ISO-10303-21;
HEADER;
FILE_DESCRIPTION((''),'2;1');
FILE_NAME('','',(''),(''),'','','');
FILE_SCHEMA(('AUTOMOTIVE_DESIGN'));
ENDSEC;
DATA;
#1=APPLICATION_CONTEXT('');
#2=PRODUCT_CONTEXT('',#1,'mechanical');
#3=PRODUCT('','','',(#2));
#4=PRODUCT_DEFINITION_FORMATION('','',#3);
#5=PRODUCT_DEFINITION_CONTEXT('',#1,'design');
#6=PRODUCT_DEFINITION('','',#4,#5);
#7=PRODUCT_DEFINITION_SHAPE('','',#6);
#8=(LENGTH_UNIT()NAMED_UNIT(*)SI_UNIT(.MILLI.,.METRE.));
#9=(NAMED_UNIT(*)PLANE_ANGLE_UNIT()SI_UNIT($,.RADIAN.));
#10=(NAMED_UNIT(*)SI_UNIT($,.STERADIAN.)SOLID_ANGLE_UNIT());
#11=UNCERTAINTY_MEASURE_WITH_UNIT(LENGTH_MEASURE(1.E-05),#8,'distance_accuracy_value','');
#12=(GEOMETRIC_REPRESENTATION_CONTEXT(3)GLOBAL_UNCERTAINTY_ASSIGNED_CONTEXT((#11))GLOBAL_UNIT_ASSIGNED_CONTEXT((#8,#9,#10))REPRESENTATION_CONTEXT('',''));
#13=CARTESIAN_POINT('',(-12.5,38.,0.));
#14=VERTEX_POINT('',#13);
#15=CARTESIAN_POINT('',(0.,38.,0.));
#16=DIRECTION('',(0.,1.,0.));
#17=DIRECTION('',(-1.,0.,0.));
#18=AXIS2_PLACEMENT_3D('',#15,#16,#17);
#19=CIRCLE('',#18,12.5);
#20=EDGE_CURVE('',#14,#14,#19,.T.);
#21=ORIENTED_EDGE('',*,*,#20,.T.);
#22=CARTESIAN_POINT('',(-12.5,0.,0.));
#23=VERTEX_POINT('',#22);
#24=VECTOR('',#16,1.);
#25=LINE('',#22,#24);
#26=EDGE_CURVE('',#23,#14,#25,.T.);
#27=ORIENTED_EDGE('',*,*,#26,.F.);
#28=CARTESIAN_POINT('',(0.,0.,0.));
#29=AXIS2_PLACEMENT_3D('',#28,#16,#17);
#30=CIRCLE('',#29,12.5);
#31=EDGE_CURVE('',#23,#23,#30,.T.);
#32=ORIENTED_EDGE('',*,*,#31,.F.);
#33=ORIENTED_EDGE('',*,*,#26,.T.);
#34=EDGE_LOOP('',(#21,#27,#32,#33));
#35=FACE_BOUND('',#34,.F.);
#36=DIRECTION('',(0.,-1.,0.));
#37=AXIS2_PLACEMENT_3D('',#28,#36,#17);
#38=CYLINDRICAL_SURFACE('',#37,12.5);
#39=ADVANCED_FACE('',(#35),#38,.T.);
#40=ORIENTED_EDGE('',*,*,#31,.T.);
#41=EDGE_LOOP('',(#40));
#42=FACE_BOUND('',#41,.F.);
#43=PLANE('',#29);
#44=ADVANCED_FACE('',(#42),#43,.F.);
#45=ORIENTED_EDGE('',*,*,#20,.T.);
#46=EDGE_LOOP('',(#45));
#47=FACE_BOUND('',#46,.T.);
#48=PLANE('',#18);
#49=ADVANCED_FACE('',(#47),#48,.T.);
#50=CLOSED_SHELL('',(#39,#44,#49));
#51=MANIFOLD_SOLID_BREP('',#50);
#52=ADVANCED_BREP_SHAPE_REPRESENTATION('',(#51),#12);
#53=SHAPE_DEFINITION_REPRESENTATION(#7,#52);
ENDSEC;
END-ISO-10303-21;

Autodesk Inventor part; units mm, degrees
ref_plane "YZ Plane" through (0, 0, 0) normal (1, 0, 0) x (0, 1, 0)
ref_plane "XZ Plane" through (0, 0, 0) normal (0, 1, 0) x (-1, 0, 0)
ref_plane "XY Plane" through (0, 0, 0) normal (0, 0, 1) x (1, 0, 0)
sketch "Esboço1" plane through (0, 0, 0) normal (0, 1, 0) x (-1, 0, 0)
  circle A0 centre (0, 0) radius 12.5
  dimension "d0" = 25
extrude "Extrusão1" add sketch "Esboço1" along normal blind 38
properties part number "exMotor"
